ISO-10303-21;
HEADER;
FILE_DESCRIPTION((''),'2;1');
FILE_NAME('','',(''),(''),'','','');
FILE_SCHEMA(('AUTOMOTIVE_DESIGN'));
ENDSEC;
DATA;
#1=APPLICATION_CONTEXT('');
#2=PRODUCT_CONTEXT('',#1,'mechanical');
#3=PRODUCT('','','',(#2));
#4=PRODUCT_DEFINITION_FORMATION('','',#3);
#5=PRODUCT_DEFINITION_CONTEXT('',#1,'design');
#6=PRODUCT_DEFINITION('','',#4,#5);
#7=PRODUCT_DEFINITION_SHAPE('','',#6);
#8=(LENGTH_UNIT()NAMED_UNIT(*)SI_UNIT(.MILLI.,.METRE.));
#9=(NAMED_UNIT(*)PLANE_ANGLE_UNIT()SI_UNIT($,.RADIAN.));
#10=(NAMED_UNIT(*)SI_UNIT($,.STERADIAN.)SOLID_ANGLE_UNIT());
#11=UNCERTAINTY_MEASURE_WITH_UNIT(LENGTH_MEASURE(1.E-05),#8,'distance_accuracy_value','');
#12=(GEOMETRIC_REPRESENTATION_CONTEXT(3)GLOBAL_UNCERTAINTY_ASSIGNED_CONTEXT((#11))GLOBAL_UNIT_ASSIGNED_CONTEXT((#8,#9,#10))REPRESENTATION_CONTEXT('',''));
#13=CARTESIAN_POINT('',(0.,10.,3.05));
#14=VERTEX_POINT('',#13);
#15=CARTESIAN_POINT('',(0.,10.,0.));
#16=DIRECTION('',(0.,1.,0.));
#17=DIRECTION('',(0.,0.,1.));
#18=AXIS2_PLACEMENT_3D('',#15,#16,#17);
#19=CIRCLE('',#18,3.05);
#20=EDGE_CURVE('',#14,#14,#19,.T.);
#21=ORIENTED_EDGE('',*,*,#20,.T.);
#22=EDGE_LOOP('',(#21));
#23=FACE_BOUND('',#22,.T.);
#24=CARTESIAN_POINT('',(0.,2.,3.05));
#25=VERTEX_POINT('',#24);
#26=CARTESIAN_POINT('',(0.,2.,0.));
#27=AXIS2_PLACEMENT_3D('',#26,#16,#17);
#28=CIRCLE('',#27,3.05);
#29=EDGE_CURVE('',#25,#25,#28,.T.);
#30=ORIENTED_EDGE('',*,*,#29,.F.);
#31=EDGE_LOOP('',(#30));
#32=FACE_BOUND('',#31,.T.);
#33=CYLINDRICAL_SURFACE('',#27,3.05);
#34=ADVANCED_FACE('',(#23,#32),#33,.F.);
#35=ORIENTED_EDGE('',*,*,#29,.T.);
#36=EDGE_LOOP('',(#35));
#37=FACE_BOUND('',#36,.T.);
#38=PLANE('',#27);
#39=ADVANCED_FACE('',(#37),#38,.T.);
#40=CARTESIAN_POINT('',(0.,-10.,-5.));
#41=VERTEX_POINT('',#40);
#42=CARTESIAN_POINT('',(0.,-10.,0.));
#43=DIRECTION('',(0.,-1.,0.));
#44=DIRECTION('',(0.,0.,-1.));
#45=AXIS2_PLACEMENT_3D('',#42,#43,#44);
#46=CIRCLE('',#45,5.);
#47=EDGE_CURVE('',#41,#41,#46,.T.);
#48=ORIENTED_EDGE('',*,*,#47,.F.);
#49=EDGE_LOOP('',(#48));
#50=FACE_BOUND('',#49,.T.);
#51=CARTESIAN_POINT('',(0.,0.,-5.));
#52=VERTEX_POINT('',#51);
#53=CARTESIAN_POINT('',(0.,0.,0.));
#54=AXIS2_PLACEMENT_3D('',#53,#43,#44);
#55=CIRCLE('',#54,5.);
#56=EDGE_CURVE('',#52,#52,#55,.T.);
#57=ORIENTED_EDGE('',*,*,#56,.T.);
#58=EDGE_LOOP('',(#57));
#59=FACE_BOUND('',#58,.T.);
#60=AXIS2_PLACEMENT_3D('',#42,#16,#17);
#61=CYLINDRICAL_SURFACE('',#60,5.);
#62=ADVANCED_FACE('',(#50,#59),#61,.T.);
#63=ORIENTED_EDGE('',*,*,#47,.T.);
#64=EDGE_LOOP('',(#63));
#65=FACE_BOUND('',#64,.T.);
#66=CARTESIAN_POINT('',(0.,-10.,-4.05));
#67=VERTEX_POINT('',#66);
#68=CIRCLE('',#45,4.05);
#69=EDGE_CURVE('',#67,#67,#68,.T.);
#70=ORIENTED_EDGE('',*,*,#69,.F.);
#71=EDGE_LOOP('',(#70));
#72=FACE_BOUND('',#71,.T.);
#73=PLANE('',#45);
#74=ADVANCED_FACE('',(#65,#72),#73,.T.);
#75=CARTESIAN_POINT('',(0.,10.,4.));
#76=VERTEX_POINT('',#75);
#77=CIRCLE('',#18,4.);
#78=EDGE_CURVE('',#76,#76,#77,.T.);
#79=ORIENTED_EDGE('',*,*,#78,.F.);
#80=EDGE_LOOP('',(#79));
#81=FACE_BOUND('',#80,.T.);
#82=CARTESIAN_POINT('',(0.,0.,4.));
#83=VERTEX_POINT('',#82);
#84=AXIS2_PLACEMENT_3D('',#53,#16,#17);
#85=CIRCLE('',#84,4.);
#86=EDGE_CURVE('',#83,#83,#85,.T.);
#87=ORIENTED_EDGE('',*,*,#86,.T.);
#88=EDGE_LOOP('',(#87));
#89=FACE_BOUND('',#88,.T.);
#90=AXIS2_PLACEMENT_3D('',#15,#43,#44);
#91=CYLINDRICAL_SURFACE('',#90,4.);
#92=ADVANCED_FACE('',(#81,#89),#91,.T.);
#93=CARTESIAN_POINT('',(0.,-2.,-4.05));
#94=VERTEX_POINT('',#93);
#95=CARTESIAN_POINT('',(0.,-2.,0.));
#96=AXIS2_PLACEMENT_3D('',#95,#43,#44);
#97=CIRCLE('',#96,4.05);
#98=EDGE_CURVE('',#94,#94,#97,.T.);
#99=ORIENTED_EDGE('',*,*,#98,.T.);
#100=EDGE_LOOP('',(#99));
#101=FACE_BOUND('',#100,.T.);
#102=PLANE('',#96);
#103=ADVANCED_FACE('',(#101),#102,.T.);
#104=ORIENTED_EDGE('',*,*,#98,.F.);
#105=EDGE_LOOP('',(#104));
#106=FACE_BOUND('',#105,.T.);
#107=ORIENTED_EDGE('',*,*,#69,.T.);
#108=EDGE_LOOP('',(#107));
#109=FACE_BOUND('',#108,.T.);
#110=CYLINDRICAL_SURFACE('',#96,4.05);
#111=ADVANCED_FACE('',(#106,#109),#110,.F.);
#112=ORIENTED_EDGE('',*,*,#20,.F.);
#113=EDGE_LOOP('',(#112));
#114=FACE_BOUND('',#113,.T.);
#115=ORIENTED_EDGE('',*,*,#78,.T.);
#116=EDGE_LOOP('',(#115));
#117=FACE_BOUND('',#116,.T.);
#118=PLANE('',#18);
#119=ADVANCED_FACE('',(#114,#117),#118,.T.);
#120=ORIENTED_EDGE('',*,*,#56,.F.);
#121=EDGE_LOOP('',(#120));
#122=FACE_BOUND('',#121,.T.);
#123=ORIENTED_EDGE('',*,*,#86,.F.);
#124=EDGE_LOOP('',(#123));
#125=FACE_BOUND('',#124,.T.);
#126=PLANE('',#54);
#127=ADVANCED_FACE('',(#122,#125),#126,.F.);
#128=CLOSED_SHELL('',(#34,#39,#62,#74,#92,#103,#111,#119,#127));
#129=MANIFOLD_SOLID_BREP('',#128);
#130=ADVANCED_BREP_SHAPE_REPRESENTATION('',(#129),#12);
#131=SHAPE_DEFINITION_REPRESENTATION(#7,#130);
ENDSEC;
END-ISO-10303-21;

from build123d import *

# Parameters (mm, degrees)
SKETCH2_R           = 4
BOSS_EXTRUDE1_DEPTH = 10
SKETCH3_R           = 3.05
CUT_EXTRUDE3_DEPTH  = 8
SKETCH4_R           = 5
BOSS_EXTRUDE3_DEPTH = 10
SKETCH5_R           = 4.05
CUT_EXTRUDE4_DEPTH  = 8


with BuildPart() as part:
    # Sketch2 → Boss-Extrude1 (new body)
    with BuildSketch(Plane(origin=(0, 0, 0), x_dir=(1, 0, 0), z_dir=(0, 1, 0))):
        with Locations(Location((0, 0, 0), (0, 0, 270))):
            Circle(SKETCH2_R)
    extrude(amount=BOSS_EXTRUDE1_DEPTH)

    # Sketch3 → Cut-Extrude3 (cut)
    with BuildSketch(Plane(origin=(0, 10, 0), x_dir=(1, 0, 0), z_dir=(0, 1, 0))):
        with Locations(Location((0, 0, 0), (0, 0, 270))):
            Circle(SKETCH3_R)
    extrude(amount=-CUT_EXTRUDE3_DEPTH, mode=Mode.SUBTRACT)

    # Sketch4 → Boss-Extrude3 (add)
    with BuildSketch(Plane.XZ):
        with Locations(Location((0, 0, 0), (0, 0, 270))):
            Circle(SKETCH4_R)
    extrude(amount=BOSS_EXTRUDE3_DEPTH)

    # Sketch5 → Cut-Extrude4 (cut)
    with BuildSketch(Plane.XZ.offset(10)):
        with Locations(Location((0, 0, 0), (0, 0, 270))):
            Circle(SKETCH5_R)
    extrude(amount=-CUT_EXTRUDE4_DEPTH, mode=Mode.SUBTRACT)


solid = part.part
